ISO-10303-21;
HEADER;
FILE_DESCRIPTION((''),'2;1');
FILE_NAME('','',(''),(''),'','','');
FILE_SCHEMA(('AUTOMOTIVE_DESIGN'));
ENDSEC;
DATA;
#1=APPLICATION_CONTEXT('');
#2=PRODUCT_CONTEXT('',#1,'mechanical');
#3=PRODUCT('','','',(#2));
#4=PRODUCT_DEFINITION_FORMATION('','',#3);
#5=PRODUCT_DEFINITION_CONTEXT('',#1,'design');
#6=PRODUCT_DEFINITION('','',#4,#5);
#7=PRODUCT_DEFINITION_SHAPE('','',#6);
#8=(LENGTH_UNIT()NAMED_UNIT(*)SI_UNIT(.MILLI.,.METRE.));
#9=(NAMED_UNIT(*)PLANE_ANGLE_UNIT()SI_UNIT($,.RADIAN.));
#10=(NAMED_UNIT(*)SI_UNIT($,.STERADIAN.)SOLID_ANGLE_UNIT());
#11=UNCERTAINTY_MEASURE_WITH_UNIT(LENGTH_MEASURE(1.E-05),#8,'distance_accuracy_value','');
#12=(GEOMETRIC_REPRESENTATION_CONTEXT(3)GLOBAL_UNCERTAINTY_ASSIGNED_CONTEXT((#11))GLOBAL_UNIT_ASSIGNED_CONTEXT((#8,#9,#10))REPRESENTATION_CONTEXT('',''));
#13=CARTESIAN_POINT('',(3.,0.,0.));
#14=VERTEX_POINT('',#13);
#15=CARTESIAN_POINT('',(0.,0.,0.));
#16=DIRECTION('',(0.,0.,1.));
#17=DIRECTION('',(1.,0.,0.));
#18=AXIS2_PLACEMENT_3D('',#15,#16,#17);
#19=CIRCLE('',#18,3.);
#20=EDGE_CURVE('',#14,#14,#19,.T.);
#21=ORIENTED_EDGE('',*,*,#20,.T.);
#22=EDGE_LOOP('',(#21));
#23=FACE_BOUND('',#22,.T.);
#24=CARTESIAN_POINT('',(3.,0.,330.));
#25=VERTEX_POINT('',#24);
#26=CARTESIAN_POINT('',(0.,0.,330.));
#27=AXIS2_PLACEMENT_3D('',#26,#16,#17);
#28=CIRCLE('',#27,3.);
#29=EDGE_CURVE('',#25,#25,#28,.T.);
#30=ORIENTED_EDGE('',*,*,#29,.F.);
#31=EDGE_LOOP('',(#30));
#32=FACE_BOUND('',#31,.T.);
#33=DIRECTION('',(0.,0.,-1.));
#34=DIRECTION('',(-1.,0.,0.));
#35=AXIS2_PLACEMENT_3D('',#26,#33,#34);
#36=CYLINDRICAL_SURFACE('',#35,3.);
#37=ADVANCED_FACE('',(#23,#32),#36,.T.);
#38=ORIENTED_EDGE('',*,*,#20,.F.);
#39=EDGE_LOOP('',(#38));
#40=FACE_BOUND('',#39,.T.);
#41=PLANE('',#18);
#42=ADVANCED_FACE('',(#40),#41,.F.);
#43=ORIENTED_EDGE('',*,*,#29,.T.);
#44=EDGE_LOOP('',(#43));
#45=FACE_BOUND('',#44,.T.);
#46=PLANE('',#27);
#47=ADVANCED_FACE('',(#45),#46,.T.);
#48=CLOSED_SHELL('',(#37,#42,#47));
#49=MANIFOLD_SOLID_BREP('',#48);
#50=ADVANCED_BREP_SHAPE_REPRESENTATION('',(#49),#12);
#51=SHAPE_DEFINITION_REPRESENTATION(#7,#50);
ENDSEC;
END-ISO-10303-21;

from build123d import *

# Parameters (mm, degrees)
ESQUISSE1_R        = 3
BOSS_EXTRU_1_DEPTH = 330


with BuildPart() as part:
    # Esquisse1 → Boss.-Extru.1 (new body)
    with BuildSketch(Plane.XY):
        Circle(ESQUISSE1_R)
    extrude(amount=BOSS_EXTRU_1_DEPTH)


solid = part.part
